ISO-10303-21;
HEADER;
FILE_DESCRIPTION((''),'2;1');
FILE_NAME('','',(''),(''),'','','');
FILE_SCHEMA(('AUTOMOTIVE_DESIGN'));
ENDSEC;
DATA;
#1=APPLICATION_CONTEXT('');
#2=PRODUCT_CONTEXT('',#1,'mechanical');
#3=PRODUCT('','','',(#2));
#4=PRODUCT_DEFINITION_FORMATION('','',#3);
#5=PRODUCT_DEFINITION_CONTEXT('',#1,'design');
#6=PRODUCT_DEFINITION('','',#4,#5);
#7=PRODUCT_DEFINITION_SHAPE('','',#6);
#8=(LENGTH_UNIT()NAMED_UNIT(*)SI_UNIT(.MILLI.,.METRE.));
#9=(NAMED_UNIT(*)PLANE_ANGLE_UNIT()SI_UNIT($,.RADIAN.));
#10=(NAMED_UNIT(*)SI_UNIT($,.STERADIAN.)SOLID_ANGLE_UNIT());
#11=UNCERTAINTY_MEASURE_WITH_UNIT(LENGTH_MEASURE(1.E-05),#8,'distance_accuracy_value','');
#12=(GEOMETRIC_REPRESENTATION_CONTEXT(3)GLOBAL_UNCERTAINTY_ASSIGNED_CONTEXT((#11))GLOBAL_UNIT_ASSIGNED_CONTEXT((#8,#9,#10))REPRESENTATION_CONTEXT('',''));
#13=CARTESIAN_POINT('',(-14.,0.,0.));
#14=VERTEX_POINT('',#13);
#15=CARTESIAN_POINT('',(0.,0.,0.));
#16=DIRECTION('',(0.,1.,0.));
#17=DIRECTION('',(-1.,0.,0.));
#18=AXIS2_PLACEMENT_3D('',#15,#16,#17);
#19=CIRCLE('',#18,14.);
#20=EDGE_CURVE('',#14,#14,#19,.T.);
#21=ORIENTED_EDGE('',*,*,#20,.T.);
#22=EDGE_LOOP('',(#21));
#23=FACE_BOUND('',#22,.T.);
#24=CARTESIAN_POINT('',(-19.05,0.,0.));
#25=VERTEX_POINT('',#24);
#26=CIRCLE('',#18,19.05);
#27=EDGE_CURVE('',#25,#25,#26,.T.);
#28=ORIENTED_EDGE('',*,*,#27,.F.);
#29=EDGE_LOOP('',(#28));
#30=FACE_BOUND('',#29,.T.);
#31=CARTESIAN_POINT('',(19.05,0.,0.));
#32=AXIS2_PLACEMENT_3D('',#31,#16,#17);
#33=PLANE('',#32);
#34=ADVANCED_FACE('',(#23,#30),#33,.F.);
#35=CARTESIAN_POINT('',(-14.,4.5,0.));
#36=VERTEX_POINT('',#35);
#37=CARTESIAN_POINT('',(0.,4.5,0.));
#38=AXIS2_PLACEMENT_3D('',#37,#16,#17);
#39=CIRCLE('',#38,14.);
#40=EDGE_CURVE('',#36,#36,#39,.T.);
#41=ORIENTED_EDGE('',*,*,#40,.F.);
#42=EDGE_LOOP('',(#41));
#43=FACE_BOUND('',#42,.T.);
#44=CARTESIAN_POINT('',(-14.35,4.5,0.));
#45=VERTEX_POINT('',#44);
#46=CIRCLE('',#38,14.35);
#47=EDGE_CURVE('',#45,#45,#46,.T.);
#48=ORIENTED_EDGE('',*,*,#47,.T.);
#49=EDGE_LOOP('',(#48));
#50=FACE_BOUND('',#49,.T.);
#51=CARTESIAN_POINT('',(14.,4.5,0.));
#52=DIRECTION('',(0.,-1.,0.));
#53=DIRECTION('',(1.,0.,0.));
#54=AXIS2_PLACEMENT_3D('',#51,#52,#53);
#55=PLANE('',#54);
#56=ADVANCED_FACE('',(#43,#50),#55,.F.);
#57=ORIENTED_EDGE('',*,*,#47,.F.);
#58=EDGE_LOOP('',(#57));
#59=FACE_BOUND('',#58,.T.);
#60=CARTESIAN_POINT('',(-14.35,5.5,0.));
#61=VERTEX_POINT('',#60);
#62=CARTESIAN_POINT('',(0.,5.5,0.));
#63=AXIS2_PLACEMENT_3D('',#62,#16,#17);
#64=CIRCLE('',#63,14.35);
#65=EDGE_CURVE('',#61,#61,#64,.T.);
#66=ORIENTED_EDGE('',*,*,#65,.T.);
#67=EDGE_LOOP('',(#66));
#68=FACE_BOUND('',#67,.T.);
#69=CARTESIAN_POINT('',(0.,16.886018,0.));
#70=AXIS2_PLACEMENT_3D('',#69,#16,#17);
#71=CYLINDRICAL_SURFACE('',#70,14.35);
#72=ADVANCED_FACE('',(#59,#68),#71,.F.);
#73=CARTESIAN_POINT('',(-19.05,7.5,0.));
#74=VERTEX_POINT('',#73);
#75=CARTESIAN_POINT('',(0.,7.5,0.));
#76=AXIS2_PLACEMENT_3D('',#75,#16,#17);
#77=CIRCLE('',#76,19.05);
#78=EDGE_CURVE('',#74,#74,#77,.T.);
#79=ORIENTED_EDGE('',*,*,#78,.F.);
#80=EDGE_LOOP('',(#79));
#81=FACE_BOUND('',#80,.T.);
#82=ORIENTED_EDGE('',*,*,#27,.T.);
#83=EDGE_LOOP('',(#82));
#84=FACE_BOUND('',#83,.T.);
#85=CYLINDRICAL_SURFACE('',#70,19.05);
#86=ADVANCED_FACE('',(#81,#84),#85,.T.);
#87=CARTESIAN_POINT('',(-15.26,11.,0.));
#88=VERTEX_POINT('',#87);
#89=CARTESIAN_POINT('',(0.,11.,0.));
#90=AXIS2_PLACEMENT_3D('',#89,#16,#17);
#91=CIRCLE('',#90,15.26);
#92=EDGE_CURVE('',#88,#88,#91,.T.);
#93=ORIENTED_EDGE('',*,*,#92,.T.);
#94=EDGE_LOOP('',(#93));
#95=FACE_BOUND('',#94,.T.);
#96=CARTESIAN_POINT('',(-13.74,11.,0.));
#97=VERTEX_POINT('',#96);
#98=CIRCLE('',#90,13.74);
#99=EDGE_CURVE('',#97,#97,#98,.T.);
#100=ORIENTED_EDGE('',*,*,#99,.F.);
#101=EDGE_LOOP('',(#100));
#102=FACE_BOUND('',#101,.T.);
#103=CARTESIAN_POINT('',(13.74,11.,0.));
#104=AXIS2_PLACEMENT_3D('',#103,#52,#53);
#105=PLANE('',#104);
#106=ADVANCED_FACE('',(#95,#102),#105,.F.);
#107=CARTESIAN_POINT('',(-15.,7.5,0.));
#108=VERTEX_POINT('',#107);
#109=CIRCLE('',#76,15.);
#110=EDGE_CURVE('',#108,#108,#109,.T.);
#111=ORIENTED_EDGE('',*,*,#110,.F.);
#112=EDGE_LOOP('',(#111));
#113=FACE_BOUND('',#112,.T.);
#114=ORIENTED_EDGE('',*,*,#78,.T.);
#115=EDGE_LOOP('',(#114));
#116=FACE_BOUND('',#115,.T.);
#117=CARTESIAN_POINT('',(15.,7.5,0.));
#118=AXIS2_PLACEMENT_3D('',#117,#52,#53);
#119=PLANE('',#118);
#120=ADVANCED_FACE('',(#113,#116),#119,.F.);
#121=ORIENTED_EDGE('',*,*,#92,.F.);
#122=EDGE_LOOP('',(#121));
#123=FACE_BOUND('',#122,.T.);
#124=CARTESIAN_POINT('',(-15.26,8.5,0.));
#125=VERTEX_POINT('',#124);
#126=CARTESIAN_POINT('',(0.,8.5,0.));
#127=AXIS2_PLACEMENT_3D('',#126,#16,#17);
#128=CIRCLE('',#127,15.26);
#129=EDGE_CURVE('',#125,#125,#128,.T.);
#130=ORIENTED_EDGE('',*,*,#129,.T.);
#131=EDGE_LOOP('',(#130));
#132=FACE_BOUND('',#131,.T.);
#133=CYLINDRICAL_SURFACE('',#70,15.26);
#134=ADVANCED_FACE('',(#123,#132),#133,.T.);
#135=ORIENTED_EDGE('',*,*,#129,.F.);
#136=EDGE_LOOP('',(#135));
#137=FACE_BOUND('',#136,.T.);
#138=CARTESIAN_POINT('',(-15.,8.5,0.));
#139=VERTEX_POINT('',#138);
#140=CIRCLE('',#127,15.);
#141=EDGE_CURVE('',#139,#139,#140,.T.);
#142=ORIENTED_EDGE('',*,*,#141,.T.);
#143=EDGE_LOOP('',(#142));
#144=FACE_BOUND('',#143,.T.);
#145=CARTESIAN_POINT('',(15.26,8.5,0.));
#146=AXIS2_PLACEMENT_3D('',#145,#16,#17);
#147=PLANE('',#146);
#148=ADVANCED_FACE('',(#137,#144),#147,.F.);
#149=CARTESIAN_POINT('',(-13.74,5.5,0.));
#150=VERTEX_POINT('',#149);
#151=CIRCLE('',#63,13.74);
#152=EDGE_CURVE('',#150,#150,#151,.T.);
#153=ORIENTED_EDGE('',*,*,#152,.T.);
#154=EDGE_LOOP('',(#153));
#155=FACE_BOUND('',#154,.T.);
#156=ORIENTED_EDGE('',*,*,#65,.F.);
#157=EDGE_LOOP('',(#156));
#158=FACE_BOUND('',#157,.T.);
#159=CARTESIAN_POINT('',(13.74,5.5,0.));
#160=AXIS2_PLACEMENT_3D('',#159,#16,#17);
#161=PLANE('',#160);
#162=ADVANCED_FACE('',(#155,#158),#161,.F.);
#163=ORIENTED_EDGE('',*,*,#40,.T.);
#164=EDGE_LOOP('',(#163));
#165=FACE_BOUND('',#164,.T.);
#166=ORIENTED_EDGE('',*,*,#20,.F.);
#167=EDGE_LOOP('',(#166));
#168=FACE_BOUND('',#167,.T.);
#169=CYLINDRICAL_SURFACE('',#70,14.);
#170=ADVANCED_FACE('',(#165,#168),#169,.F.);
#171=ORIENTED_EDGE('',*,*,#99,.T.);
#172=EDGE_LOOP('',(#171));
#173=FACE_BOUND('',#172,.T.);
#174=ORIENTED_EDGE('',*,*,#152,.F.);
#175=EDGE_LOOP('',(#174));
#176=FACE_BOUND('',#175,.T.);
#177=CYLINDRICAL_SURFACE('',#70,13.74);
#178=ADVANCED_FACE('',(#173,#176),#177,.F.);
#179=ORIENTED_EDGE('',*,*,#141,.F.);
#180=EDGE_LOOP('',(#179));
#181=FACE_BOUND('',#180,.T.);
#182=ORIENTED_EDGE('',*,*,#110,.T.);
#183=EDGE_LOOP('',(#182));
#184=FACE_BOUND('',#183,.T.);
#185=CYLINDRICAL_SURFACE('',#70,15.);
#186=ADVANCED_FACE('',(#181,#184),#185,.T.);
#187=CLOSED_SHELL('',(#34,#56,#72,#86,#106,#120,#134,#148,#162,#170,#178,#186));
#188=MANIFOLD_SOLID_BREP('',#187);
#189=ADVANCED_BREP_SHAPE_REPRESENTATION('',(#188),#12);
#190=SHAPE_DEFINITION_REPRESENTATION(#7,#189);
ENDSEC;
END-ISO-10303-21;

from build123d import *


with BuildPart() as part:
    # 草图1 → 旋转1 (revolve)
    with BuildSketch(Plane.XY, mode=Mode.PRIVATE) as revolve_1_sk:
        Polygon((14, 0), (14, 4.5), (14.35, 4.5), (14.35, 5.5), (13.74, 5.5), (13.74, 11), (15.26, 11), (15.26, 8.5), (15, 8.5), (15, 7.5), (19.05, 7.5), (19.05, 0), align=None)
    revolve(revolve_1_sk.sketch.rotate(Axis((0, 16.886018237, 0), (0, -1, 0)), 180), axis=Axis((0, 16.886018237, 0), (0, -1, 0)))  # turned: the seam where the file's is


solid = part.part
